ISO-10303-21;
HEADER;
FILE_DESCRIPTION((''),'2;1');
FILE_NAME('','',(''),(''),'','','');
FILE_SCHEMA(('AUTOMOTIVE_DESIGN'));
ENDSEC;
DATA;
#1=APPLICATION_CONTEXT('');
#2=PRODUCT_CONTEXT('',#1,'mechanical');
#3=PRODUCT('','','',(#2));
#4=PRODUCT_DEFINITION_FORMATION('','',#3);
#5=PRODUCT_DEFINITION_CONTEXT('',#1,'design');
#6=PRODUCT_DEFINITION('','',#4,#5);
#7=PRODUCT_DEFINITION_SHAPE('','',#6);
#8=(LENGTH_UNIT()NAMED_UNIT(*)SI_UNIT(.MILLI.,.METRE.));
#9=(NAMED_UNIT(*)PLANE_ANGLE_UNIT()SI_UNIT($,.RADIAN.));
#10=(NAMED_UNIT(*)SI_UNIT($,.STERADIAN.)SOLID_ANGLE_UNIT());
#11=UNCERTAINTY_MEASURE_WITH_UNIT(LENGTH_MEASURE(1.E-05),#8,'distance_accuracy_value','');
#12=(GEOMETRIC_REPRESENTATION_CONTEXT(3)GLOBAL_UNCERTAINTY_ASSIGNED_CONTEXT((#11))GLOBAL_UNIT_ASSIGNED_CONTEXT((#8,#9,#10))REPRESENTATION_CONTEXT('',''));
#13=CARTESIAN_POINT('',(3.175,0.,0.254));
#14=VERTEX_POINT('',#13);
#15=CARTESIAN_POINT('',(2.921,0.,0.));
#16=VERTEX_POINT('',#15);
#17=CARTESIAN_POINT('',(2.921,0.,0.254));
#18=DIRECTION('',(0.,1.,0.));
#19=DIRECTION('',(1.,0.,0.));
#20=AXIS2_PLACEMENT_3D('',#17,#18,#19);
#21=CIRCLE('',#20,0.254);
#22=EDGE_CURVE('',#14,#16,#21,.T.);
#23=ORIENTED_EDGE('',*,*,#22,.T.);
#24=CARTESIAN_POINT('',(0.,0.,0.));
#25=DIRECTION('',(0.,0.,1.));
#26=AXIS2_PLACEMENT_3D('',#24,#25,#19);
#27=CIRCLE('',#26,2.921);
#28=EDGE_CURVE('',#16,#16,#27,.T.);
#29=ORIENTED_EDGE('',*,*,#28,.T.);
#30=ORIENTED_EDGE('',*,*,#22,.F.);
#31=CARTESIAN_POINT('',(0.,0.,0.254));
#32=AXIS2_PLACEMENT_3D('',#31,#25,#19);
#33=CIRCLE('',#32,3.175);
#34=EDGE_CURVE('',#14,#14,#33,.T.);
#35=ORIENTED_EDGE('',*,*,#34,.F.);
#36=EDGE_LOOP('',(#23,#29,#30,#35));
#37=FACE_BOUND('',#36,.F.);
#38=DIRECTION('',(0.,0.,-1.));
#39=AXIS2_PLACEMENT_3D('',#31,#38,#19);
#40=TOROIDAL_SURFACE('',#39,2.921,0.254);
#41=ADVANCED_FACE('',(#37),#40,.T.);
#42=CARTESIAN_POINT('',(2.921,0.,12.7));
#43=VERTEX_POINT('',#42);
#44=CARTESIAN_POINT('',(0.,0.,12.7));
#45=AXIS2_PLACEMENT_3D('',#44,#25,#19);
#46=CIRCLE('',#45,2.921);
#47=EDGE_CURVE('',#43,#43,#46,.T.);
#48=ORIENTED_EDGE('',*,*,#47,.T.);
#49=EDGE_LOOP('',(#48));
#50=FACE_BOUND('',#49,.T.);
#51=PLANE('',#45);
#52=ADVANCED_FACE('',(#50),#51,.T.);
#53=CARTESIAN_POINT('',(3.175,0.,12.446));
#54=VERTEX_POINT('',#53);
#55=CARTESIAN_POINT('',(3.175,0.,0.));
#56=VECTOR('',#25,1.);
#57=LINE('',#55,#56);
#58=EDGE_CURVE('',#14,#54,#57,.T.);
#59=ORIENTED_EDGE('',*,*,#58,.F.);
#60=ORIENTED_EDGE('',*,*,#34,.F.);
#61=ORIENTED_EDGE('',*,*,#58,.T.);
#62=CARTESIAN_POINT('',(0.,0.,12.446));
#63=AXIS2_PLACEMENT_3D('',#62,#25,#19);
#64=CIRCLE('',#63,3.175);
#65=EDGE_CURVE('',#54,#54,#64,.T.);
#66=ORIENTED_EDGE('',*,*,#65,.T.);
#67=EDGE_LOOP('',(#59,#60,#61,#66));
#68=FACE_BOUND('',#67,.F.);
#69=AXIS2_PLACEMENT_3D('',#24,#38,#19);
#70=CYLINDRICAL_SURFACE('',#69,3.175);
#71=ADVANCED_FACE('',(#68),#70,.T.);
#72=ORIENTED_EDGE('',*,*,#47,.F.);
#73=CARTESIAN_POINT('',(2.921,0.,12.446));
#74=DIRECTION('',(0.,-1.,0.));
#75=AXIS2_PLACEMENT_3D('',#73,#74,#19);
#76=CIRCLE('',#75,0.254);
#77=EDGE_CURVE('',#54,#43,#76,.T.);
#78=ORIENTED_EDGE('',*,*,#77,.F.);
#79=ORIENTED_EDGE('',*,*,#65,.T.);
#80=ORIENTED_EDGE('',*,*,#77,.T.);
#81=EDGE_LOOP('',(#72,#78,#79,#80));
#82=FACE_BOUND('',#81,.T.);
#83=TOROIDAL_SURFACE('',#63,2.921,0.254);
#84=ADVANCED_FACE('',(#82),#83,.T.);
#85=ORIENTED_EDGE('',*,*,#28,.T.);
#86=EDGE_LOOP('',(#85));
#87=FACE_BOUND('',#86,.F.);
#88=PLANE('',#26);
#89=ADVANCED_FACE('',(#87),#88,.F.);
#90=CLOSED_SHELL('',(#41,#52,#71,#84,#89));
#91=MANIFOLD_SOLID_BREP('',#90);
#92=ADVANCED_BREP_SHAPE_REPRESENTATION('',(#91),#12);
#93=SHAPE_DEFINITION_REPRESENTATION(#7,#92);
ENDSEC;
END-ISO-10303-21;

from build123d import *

# Parameters (mm, degrees)
SKETCH1_R           = 3.175
BOSS_EXTRUDE1_DEPTH = 12.7
FILLET1_R           = 0.254


with BuildPart() as part:
    # Sketch1 → Boss-Extrude1 (new body)
    with BuildSketch(Plane.XY):
        Circle(SKETCH1_R)
    extrude(amount=BOSS_EXTRUDE1_DEPTH)

    # Fillet1
    fillet1_edges = [part.edges().sort_by_distance(p)[0] for p in [
        (-3.175, 0, 0),
        (-3.175, 0, 12.7),
    ]]
    fillet(fillet1_edges, radius=FILLET1_R)


solid = part.part
